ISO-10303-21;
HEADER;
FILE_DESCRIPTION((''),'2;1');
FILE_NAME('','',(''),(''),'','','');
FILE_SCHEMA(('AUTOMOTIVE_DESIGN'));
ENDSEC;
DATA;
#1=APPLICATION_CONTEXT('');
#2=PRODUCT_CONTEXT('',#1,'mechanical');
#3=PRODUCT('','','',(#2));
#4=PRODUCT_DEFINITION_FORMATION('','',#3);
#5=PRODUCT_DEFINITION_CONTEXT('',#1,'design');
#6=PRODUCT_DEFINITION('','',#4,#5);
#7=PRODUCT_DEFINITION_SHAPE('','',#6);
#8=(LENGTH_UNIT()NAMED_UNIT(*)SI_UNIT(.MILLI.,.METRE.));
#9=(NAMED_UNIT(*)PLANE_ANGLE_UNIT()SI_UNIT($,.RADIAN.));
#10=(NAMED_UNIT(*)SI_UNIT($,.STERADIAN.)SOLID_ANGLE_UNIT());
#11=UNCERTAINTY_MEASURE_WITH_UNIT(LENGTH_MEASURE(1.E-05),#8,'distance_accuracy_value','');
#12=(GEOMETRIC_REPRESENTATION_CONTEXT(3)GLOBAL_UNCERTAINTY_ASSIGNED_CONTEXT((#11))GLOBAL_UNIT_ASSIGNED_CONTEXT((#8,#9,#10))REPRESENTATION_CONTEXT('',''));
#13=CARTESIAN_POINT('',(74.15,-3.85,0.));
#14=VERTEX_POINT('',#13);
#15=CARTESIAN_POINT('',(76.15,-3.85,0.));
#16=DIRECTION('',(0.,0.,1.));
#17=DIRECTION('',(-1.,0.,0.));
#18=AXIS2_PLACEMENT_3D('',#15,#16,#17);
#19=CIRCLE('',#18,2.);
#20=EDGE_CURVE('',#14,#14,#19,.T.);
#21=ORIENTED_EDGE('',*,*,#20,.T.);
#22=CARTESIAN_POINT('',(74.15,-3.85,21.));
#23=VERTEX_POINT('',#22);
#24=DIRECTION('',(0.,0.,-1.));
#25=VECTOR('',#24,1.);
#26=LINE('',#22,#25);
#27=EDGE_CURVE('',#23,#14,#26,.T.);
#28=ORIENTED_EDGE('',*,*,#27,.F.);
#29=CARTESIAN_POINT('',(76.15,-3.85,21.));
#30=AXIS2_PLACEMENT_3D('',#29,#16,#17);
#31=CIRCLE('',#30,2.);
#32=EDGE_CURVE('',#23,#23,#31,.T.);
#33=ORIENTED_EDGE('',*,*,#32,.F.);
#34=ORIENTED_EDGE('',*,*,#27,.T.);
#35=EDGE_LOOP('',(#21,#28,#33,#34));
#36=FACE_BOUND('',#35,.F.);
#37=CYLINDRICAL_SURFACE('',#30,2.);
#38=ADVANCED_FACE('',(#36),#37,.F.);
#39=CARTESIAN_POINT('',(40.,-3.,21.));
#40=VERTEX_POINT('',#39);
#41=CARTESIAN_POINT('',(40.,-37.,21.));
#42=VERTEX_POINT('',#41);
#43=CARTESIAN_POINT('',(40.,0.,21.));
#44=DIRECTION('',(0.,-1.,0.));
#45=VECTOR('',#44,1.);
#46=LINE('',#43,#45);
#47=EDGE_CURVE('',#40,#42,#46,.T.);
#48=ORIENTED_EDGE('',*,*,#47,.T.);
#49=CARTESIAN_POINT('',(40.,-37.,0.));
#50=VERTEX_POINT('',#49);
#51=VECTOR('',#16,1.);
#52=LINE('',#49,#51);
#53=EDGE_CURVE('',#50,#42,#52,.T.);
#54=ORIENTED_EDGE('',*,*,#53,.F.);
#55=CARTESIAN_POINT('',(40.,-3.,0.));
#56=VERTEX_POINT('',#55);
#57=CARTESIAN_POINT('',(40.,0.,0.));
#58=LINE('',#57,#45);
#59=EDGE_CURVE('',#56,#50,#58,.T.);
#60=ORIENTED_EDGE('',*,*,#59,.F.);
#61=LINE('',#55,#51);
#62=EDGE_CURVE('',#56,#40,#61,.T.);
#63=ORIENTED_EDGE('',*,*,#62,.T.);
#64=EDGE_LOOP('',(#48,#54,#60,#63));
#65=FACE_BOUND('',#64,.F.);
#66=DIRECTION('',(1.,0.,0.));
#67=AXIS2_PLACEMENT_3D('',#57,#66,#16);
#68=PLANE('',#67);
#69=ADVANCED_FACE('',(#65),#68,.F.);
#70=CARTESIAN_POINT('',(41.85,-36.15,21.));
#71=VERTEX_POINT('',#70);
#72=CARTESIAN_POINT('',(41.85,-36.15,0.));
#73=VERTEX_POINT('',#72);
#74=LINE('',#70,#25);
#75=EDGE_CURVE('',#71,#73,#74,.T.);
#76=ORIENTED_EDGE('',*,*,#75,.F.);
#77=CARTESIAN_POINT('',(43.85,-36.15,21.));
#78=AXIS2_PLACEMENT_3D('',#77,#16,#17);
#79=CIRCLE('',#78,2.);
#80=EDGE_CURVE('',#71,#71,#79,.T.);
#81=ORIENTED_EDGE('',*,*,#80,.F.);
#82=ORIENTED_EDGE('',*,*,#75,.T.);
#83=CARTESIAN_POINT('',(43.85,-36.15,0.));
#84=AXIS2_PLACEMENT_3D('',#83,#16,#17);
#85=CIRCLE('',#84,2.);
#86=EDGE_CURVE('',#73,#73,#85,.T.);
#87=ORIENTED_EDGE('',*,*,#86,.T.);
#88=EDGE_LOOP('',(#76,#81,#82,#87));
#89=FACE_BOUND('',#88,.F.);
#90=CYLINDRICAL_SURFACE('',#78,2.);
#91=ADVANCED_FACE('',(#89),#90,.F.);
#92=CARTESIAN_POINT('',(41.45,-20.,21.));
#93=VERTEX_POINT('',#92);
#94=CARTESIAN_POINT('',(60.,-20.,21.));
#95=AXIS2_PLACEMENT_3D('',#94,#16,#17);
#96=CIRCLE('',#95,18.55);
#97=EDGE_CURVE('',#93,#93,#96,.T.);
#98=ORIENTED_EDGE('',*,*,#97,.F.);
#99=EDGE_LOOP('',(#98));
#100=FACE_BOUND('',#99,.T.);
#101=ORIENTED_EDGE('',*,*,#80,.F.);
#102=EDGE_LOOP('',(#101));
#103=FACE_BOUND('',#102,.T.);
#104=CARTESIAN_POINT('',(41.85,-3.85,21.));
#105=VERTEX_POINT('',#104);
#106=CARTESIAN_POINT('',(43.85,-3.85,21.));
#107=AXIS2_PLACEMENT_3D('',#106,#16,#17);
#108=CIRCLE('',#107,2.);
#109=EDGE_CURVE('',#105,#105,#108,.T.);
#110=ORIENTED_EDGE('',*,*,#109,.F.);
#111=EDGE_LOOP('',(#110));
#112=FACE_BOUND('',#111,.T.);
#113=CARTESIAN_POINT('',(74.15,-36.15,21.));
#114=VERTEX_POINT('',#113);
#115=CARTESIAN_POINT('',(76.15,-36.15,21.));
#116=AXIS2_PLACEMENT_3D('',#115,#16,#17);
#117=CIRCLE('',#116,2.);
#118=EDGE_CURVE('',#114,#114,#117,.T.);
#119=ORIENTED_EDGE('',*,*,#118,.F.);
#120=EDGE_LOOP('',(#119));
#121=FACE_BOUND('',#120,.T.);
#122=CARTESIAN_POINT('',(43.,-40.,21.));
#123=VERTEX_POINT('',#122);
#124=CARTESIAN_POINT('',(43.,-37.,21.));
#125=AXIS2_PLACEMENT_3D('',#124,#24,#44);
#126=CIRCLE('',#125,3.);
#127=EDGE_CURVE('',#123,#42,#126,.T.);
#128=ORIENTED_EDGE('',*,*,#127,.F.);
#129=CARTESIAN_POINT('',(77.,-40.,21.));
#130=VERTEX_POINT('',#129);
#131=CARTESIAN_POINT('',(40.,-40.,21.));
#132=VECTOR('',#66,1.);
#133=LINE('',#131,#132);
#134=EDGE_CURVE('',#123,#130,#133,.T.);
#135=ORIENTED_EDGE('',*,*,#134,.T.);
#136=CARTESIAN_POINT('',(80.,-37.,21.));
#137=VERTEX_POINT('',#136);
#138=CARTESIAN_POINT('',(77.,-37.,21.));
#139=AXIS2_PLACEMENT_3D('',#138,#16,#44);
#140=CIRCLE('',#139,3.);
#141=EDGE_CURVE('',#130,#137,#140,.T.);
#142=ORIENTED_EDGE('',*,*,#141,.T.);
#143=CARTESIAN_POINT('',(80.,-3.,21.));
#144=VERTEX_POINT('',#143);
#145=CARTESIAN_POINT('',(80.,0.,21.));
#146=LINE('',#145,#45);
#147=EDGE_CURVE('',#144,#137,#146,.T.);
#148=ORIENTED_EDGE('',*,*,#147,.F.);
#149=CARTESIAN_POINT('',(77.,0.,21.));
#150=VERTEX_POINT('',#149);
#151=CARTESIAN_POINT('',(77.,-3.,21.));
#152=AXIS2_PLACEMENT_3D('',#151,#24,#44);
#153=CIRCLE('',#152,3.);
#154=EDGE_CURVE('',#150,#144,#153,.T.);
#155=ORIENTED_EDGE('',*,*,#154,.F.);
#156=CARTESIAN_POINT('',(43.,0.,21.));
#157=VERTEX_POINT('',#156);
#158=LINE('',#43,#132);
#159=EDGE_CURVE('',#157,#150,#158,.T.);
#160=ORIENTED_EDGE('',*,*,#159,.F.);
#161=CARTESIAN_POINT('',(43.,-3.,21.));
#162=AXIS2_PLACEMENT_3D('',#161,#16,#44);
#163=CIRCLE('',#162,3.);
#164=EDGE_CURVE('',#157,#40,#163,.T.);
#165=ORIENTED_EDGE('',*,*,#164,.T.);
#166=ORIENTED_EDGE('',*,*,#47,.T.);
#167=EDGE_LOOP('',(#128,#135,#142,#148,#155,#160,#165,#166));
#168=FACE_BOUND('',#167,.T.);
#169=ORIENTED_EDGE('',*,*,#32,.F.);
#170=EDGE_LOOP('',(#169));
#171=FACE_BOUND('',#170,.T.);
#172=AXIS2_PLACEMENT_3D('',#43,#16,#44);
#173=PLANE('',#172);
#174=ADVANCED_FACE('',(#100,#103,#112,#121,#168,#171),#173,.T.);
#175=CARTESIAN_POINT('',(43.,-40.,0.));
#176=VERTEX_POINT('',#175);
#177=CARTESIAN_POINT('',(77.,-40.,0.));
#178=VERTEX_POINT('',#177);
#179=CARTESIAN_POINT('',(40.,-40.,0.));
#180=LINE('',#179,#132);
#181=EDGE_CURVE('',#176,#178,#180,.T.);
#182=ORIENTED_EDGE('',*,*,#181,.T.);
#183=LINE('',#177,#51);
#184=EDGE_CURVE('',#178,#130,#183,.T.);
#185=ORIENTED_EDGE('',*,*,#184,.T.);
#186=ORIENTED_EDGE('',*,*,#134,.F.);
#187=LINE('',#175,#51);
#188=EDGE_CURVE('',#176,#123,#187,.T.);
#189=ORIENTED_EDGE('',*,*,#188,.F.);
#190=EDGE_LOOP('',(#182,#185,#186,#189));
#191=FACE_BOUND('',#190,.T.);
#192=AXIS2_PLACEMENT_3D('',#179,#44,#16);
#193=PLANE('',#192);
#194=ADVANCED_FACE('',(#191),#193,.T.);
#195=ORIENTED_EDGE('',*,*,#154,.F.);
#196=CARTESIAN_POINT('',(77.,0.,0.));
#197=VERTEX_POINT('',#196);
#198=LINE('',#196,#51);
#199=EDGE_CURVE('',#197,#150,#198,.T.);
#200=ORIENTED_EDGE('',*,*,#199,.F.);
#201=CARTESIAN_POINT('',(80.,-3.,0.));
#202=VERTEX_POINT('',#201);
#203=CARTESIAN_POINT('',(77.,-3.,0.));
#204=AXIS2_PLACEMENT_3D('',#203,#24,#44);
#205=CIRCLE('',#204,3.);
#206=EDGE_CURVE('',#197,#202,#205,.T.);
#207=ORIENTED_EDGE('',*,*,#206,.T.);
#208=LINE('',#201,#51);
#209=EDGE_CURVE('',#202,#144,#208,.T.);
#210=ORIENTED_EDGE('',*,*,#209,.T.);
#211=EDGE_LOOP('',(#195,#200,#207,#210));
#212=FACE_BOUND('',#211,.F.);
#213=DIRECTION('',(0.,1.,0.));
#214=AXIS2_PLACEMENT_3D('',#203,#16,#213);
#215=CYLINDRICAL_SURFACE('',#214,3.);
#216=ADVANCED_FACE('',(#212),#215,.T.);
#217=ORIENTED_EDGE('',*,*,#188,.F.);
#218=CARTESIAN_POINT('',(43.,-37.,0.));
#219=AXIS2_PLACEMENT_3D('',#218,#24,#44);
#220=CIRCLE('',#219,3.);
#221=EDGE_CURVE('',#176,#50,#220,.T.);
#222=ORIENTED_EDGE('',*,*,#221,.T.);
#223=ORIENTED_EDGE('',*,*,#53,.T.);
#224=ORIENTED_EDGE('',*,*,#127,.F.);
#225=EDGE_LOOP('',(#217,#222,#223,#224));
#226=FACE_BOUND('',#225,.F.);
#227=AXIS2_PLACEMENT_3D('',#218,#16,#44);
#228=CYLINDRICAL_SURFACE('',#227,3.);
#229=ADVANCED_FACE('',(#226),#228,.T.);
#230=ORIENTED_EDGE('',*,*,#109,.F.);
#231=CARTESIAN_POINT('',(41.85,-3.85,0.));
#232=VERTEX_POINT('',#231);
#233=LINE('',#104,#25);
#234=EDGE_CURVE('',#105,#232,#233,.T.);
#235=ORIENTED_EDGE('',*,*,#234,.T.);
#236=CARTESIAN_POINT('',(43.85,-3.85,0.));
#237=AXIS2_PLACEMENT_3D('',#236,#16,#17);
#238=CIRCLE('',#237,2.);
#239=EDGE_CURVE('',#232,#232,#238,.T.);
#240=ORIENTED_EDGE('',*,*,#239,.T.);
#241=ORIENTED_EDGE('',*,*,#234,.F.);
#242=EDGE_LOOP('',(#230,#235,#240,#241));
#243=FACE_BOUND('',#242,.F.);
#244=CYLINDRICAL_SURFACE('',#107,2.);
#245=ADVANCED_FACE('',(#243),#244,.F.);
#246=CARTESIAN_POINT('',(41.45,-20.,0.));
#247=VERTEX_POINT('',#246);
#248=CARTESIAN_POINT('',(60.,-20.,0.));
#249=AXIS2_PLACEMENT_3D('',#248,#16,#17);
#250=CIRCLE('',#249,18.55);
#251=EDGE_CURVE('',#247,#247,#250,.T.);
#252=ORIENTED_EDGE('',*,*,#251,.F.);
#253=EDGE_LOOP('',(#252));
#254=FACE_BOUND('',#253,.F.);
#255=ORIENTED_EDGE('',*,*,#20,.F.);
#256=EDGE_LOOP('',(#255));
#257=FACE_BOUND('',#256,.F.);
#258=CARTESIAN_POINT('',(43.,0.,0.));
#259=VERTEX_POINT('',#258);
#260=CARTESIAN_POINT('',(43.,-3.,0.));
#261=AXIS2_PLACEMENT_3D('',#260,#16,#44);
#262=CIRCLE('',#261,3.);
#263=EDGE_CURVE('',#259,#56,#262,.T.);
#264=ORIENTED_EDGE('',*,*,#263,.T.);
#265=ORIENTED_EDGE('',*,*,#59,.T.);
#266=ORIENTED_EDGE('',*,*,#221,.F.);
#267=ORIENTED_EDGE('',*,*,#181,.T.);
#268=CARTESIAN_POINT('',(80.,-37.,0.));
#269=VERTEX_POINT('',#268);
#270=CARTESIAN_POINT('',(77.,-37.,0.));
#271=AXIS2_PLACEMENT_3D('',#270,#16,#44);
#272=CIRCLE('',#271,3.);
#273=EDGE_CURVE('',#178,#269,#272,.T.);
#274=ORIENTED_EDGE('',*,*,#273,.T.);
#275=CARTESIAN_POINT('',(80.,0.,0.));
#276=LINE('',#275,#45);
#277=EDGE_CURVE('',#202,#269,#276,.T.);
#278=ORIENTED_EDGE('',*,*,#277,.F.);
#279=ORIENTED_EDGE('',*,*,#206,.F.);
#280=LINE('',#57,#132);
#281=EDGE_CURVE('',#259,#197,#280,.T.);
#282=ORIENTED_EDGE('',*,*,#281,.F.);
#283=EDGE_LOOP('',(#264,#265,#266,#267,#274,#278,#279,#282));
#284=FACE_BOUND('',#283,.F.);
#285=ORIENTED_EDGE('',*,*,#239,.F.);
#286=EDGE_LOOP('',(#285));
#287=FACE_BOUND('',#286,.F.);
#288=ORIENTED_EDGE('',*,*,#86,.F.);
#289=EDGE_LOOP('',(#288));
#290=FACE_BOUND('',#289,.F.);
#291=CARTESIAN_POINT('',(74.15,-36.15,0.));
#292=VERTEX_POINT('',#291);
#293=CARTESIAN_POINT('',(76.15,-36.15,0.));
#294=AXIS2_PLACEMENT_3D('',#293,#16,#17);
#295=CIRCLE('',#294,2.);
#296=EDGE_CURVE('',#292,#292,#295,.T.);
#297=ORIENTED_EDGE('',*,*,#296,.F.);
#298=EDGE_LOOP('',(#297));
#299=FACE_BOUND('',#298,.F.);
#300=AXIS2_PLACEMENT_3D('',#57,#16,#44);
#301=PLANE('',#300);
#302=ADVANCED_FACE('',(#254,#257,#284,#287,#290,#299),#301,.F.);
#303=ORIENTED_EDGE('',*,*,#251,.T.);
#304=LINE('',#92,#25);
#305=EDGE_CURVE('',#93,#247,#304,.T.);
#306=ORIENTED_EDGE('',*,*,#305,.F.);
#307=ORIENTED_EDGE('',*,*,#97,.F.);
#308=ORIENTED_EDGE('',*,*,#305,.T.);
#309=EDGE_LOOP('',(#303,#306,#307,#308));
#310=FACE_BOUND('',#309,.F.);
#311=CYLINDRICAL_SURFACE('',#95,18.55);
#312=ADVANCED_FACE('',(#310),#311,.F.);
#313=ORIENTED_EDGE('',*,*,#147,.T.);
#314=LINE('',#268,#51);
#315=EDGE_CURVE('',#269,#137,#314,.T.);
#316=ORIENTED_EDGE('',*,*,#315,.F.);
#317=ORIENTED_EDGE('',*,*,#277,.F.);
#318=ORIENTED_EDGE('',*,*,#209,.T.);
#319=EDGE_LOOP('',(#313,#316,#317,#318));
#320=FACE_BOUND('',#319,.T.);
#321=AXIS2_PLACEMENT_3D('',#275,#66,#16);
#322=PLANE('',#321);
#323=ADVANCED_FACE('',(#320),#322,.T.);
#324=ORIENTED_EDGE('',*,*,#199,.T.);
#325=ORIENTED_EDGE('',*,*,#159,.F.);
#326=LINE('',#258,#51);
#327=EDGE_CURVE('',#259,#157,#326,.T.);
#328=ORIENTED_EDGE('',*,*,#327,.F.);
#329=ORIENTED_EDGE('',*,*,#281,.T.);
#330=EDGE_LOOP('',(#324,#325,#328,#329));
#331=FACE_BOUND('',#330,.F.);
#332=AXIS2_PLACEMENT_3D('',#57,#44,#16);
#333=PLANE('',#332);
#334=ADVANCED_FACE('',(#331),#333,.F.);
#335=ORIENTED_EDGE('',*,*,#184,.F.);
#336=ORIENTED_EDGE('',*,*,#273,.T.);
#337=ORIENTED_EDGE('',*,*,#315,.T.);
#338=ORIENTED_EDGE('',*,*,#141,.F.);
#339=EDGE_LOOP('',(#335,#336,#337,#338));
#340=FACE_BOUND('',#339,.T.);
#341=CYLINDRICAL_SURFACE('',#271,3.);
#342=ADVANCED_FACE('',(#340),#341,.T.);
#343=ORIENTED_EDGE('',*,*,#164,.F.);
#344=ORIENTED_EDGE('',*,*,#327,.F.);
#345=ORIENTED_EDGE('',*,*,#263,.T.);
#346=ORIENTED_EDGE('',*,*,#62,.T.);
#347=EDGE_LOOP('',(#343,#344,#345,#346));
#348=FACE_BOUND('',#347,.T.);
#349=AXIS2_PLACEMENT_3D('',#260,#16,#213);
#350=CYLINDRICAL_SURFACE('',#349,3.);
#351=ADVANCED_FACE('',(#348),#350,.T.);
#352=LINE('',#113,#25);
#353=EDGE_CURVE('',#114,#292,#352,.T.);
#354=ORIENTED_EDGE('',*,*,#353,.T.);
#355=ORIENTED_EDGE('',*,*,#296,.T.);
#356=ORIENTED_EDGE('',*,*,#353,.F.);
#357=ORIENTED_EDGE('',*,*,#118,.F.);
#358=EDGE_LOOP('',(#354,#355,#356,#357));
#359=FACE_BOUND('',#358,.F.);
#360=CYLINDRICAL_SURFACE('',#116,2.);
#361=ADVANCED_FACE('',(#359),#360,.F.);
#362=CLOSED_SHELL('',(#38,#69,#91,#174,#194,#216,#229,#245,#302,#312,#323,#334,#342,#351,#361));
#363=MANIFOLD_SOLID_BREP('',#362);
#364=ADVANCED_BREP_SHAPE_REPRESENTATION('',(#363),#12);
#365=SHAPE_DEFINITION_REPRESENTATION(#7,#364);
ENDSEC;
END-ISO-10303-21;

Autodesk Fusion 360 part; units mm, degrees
box "BoxPrimitive1" add length 40 width 40 height 21 placed x (0, -1, 0) y (1, 0, 0) z (0, 0, 1) at (40, 0, 0)
fillet "Fillet1" radius 3 4 edges at (40, -40, 10.5) (80, -40, 10.5) (80, 0, 10.5) (40, 0, 10.5)
sketch "Sketch2" plane through (0, 0, 21) normal (0, 0, 1) x (-1, 0, 0)
  arc A0 (-43, 0) -> (-40, 3) centre (-43, 3) ccw
  line L0 (-40, 3) -> (-40, 37)
  arc A1 (-40, 37) -> (-43, 40) centre (-43, 37) ccw
  line L1 (-43, 40) -> (-77, 40)
  arc A2 (-77, 40) -> (-80, 37) centre (-77, 37) ccw
  line L2 (-80, 37) -> (-80, 3)
  arc A3 (-80, 3) -> (-77, 0) centre (-77, 3) ccw
  line L3 (-77, 0) -> (-43, 0)
  circle A4 centre (-76.15, 36.15) radius 2
  circle A5 centre (-76.15, 3.85) radius 2
  circle A6 centre (-43.85, 36.15) radius 2
  circle A7 centre (-43.85, 3.85) radius 2
  line L4 (-40.8787, 0.8787) -> (-79.1213, 39.1213) construction
  line L5 (-40.8787, 39.1213) -> (-79.1213, 0.8787) construction
  circle A8 centre (-60, 20) radius 18.55
  dimension "d8" = 4
  dimension "d9" = 4
  dimension "d10" = 4
  dimension "d11" = 4
  dimension "d12" = 3.85
  dimension "d13" = 3.85
  dimension "d14" = 3.85
  dimension "d15" = 3.85
  dimension "d16" = 3.85
  dimension "d17" = 3.85
  dimension "d18" = 3.85
  dimension "d19" = 3.85
  dimension "d23" = 37.1
extrude "Extrude1" cut sketch "Sketch2" against normal blind 35 contours A4 | A5 | A6 | A7
extrude "Extrude2" cut sketch "Sketch2" against normal blind 35 contours A8
equation "d12 = screw_spacing"
equation "d13 = screw_spacing"
equation "d14 = screw_spacing"
equation "d15 = screw_spacing"
equation "d16 = screw_spacing"
equation "d17 = screw_spacing"
equation "d18 = screw_spacing"
equation "d19 = screw_spacing"
equation "screw_spacing = 3.85 mm"
